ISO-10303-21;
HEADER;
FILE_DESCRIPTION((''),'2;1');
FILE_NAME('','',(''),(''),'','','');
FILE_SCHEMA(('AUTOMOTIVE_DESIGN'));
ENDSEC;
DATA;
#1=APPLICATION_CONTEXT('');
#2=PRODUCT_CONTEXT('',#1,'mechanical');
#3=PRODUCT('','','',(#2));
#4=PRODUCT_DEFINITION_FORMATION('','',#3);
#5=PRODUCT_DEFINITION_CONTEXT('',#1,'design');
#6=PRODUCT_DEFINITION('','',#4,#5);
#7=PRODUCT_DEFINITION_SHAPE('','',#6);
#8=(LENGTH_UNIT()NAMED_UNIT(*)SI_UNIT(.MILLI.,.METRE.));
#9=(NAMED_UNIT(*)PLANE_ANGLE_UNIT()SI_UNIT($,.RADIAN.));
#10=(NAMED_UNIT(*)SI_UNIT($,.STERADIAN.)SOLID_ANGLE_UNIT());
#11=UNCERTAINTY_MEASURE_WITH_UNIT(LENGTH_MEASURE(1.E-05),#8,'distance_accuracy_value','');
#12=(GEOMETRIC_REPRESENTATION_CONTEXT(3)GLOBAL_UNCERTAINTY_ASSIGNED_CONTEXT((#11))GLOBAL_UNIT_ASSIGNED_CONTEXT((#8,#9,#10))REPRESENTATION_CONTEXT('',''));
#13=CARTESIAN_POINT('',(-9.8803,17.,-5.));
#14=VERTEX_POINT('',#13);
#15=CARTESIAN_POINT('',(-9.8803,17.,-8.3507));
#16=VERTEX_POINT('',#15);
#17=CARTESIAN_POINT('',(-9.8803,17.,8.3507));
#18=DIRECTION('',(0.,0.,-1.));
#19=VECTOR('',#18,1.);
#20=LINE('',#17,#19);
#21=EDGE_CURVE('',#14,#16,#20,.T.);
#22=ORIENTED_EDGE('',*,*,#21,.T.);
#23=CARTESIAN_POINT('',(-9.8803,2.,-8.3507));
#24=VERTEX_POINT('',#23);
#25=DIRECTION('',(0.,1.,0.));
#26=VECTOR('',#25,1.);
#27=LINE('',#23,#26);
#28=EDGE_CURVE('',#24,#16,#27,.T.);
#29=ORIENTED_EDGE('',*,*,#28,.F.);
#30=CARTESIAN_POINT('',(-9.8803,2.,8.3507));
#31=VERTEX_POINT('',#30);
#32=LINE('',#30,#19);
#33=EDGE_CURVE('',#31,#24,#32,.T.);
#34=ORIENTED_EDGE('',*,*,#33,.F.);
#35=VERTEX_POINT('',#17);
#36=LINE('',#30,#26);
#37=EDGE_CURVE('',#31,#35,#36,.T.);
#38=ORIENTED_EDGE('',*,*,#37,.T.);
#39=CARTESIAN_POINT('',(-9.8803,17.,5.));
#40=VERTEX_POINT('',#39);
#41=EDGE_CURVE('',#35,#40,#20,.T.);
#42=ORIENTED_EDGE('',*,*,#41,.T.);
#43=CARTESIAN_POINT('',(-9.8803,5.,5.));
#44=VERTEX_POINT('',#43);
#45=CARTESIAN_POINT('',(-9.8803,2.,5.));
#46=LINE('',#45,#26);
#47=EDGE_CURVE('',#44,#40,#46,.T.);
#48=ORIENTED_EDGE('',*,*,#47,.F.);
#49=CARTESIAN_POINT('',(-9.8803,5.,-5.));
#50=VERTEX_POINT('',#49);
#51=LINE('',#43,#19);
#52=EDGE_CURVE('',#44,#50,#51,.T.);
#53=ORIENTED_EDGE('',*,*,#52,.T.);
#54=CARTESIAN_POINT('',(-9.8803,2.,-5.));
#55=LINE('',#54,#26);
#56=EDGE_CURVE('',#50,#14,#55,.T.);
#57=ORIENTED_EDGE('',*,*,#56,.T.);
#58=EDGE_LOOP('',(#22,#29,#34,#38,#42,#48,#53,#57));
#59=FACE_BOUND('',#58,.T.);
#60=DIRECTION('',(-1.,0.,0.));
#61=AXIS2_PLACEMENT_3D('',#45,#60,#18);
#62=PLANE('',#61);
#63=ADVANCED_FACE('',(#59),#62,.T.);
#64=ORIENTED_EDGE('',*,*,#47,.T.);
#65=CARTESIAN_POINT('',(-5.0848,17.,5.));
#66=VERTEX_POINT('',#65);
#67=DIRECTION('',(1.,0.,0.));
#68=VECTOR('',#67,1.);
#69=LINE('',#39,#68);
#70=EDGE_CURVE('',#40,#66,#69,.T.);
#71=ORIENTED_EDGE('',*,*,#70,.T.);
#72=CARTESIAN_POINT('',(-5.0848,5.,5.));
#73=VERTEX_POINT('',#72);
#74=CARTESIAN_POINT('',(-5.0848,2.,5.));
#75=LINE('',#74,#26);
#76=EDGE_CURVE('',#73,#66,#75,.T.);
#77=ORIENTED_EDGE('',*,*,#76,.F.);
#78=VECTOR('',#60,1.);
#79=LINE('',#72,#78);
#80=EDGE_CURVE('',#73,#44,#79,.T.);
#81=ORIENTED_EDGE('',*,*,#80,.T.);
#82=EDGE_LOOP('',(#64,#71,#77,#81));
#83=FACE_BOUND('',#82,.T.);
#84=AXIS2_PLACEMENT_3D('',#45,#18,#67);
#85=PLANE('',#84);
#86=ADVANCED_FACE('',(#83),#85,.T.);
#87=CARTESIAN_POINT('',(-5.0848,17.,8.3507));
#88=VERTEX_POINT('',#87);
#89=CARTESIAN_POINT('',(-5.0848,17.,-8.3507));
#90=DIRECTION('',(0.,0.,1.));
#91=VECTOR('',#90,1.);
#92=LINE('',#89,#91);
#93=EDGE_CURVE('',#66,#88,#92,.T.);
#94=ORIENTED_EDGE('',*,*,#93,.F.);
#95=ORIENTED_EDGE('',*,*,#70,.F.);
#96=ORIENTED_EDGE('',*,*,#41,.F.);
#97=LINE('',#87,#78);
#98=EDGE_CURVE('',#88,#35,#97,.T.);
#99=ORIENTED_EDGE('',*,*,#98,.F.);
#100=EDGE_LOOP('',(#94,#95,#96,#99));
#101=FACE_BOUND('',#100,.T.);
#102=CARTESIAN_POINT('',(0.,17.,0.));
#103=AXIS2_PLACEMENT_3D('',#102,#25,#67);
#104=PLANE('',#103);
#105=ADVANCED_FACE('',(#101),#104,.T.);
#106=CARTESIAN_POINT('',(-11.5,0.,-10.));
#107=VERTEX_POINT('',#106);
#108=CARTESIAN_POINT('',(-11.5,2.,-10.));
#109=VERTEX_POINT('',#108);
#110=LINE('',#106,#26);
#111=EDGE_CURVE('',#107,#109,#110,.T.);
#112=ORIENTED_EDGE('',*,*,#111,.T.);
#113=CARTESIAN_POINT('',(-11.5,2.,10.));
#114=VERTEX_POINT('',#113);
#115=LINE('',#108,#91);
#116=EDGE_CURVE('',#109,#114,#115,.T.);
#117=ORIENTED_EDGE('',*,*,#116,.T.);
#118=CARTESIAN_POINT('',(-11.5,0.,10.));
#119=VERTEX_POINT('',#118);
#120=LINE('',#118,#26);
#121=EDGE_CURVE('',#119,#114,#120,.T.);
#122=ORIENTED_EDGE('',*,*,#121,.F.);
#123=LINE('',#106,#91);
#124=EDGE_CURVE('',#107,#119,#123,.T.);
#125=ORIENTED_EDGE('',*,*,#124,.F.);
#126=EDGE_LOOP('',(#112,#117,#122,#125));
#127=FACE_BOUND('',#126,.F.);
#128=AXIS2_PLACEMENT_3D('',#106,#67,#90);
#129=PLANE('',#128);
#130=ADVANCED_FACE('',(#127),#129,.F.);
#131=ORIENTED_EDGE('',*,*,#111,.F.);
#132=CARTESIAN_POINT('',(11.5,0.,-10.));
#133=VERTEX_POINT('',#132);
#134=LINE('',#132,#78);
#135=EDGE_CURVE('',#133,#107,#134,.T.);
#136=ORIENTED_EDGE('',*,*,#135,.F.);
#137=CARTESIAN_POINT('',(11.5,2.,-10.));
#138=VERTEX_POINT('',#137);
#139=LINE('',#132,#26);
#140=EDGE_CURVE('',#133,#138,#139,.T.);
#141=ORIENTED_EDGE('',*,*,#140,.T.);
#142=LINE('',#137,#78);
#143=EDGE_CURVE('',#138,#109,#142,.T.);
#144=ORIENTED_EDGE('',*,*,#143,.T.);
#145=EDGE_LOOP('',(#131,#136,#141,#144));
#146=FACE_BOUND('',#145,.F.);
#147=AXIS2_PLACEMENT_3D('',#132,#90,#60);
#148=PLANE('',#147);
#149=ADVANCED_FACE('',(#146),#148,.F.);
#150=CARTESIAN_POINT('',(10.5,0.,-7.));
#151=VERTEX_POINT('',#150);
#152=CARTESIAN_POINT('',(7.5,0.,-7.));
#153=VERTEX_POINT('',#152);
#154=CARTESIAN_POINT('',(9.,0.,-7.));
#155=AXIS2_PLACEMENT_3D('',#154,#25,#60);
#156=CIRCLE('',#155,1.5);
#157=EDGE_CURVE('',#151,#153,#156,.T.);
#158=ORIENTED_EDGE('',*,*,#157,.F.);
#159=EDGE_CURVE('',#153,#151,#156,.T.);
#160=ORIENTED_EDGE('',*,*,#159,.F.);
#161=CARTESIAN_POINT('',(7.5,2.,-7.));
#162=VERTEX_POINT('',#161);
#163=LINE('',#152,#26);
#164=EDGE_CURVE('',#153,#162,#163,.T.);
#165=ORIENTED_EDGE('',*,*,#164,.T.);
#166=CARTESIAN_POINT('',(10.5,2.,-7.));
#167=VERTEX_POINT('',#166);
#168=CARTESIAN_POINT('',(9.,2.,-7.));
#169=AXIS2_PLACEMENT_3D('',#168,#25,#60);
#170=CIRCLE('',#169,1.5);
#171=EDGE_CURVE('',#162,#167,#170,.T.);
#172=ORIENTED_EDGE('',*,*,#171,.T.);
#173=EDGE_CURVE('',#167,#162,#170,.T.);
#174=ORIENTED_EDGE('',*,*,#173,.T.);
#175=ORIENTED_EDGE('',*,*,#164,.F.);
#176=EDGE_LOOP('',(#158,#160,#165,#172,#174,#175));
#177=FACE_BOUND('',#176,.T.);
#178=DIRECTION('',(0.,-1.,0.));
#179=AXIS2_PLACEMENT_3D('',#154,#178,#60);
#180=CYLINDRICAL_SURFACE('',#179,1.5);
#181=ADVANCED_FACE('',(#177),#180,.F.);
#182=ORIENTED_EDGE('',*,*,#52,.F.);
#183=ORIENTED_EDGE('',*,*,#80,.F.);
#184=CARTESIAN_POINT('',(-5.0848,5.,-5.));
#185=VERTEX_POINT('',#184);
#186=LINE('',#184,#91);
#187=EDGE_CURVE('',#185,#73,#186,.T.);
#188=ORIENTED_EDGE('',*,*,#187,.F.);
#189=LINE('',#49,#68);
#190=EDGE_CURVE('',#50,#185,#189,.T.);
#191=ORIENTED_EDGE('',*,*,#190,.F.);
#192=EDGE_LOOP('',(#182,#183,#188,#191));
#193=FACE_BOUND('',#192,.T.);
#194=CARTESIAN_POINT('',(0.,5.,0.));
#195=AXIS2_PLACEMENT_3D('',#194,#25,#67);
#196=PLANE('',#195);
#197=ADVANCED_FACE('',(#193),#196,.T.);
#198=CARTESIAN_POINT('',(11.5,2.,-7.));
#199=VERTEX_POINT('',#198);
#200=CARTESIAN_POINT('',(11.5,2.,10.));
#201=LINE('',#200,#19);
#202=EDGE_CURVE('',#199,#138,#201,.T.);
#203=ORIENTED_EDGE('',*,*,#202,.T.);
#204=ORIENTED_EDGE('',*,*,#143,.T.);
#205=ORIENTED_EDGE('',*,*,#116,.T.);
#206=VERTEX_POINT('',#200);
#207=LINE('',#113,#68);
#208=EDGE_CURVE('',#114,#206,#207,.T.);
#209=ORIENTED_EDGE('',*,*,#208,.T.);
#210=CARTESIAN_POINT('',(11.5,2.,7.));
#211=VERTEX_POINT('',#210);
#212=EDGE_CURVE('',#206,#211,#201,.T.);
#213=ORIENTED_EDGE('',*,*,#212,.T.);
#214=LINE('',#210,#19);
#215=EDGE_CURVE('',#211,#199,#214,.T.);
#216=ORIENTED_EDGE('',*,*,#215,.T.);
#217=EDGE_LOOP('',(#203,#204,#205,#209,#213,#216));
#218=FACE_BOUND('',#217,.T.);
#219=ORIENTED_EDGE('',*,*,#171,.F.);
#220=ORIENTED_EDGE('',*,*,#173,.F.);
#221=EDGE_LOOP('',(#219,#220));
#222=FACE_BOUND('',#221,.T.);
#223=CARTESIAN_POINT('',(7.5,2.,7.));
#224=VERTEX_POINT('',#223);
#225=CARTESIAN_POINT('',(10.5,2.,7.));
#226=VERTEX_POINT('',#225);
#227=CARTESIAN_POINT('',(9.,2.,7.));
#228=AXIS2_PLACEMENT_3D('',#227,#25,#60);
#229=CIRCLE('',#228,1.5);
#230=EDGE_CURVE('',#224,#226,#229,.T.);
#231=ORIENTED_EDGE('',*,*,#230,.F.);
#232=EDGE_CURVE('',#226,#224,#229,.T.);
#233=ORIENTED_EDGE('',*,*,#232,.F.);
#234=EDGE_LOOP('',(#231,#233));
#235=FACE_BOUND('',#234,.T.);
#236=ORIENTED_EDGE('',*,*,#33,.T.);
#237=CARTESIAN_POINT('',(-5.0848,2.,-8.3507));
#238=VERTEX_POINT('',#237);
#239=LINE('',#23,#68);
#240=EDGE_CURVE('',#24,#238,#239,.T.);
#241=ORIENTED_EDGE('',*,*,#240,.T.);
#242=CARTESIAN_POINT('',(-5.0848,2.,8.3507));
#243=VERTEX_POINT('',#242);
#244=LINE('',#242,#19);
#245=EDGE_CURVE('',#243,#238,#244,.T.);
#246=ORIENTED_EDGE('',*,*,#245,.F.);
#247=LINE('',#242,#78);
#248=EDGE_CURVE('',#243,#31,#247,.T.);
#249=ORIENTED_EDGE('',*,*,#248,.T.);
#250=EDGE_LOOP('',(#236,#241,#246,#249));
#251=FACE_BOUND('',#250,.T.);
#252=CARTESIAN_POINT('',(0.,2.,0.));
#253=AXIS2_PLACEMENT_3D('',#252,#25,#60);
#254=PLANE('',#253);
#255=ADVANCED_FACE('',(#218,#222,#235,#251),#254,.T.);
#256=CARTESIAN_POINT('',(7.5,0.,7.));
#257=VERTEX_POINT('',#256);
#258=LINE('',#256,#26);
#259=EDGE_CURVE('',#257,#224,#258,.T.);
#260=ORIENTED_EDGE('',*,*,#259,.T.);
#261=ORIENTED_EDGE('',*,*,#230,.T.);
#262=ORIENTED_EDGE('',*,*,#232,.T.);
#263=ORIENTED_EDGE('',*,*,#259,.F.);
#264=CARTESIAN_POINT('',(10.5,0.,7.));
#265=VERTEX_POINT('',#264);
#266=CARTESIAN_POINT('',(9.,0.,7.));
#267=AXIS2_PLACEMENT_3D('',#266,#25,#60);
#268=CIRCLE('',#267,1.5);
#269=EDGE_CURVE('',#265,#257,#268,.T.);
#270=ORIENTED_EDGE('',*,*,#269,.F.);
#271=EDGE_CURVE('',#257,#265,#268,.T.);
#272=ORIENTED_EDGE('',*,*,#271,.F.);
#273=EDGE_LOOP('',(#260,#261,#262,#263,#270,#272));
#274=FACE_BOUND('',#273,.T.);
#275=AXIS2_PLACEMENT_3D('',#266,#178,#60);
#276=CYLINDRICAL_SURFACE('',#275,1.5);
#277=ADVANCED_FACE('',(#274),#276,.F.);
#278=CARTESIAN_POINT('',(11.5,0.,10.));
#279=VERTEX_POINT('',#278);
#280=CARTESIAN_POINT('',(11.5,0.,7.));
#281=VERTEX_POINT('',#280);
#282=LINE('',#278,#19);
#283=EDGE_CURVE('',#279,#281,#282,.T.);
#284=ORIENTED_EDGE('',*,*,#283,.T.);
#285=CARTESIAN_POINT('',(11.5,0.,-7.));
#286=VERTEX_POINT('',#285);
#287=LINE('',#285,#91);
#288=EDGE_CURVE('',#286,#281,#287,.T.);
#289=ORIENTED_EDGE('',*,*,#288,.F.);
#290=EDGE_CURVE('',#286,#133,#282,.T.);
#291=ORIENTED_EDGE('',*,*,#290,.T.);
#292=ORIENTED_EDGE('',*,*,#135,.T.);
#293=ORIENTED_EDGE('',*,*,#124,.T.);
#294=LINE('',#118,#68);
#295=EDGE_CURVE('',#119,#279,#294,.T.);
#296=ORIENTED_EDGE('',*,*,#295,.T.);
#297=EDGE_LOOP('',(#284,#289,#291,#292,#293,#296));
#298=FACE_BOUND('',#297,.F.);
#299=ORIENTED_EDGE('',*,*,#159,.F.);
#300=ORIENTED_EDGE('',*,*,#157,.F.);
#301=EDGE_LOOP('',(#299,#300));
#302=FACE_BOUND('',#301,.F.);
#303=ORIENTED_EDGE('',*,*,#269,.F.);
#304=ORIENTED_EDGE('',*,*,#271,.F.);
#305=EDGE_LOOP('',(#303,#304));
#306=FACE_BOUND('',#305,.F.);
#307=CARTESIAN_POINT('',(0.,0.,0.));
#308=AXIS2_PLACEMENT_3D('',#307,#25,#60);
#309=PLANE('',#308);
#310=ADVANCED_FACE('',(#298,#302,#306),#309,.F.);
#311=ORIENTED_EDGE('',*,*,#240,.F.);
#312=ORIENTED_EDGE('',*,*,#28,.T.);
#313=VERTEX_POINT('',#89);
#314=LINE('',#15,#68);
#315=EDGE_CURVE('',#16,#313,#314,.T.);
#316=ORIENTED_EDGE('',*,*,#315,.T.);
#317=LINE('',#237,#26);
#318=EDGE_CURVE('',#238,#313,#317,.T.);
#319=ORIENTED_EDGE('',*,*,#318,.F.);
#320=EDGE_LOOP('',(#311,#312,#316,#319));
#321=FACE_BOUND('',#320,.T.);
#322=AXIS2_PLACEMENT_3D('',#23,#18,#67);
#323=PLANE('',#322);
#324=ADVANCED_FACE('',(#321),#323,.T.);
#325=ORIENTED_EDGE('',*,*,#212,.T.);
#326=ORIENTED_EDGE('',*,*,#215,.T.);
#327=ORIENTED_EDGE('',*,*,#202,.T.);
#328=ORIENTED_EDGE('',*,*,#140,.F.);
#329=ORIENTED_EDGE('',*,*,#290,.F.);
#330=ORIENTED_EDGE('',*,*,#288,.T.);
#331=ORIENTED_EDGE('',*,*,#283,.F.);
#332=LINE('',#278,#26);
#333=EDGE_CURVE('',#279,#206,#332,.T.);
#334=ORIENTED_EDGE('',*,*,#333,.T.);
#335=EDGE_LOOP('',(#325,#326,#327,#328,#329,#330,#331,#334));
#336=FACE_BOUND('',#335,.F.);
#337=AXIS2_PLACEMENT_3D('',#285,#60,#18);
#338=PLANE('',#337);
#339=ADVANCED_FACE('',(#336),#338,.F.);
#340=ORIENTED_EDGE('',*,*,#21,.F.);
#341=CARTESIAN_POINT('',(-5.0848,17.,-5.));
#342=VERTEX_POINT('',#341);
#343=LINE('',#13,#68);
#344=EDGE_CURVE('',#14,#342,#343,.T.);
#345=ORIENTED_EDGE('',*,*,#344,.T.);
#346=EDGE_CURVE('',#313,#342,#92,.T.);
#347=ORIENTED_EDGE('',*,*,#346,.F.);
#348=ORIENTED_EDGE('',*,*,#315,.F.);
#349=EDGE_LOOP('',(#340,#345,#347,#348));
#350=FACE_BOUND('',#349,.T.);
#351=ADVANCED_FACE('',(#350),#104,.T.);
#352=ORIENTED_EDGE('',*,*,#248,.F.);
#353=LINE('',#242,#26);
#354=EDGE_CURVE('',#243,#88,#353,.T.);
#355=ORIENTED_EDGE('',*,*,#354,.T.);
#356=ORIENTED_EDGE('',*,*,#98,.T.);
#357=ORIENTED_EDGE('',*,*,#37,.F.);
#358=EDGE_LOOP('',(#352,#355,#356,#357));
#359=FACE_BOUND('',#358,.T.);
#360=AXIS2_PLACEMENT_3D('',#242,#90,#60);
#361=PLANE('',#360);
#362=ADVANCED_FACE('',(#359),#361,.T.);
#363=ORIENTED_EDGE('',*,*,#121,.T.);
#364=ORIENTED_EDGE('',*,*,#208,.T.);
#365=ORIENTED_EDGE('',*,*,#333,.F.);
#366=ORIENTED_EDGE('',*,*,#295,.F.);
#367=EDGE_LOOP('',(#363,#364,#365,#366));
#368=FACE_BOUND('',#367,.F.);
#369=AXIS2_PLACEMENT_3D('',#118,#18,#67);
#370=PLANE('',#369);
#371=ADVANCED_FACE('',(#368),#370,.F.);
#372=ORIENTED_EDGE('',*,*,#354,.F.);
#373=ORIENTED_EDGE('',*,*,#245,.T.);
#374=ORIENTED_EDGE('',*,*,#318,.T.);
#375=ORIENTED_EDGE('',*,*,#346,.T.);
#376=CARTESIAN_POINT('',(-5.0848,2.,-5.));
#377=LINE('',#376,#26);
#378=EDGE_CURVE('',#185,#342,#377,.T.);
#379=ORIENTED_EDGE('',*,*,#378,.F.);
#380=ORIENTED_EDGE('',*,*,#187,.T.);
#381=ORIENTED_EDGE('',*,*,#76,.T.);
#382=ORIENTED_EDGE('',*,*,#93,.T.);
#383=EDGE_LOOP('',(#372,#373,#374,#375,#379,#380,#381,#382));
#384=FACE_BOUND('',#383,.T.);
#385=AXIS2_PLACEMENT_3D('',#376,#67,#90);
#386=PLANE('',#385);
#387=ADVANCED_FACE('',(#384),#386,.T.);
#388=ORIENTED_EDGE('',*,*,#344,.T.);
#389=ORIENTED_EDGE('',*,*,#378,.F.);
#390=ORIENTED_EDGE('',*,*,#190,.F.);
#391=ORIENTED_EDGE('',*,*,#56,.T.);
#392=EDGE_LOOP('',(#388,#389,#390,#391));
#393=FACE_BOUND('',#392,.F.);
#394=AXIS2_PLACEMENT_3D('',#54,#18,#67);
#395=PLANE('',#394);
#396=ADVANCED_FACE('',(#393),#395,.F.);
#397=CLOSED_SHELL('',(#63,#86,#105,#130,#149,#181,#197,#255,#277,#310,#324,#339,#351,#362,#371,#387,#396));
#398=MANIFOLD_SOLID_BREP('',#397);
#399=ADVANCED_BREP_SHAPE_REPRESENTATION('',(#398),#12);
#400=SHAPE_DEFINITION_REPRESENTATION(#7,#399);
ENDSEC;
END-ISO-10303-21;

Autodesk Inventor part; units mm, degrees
ref_plane "YZ Plane" through (0, 0, 0) normal (1, 0, 0) x (0, 1, 0)
ref_plane "XZ Plane" through (0, 0, 0) normal (0, 1, 0) x (-1, 0, 0)
ref_plane "XY Plane" through (0, 0, 0) normal (0, 0, 1) x (1, 0, 0)
sketch "Sketch1" plane through (0, 0, 0) normal (0, 1, 0) x (-1, 0, 0)
  line L0 (11.5, 10) -> (-11.5, 10)
  line L1 (-11.5, 10) -> (-11.5, -10)
  line L2 (-11.5, -10) -> (11.5, -10)
  line L3 (11.5, -10) -> (11.5, 10)
  line L4 (11.5, 10) -> (-11.5, -10) construction
  line L5 (-11.5, 10) -> (11.5, -10) construction
  line L6 (-11.5, 0) -> (-11.5, -7)
  line L7 (-11.5, 0) -> (-11.5, 7)
  line L8 (-11.5, 7) -> (-9, 7)
  circle A0 centre (-9, 7) radius 1.5
  line L9 (-11.5, -7) -> (-9, -7)
  circle A1 centre (-9, -7) radius 1.5
  point P0 (0, 0)
  dimension "d0" = 23
  dimension "d1" = 20
  dimension "d2" = 7
  dimension "d3" = 7
  dimension "d4" = 2.5
  dimension "d5" = 3
  dimension "d6" = 3
extrude "Extrusion1" add sketch "Sketch1" along normal blind 2
sketch "Sketch2" plane through (0, 2, 0) normal (0, 1, 0) x (1, 0, 0)
  line L0 (-5.0848, -8.3507) -> (-9.8803, -8.3507)
  line L1 (-9.8803, -8.3507) -> (-9.8803, 8.3507)
  line L2 (-9.8803, 8.3507) -> (-5.0848, 8.3507)
  line L3 (-5.0848, 8.3507) -> (-5.0848, -8.3507)
  line L4 (-5.0848, -8.3507) -> (-9.8803, 8.3507) construction
  line L5 (-9.8803, -8.3507) -> (-5.0848, 8.3507) construction
  line L6 (-9.8803, 0) -> (-9.8803, 5)
  line L7 (-9.8803, 0) -> (-9.8803, -5)
  line L8 (-9.8803, -5) -> (-5.0848, -5)
  line L9 (-5.0848, -5) -> (-5.0848, -8.3507)
  line L10 (-5.0848, -8.3507) -> (-9.8803, -8.3507)
  line L11 (-9.8803, -8.3507) -> (-9.8803, -5)
  line L12 (-9.8803, 5) -> (-5.0848, 5)
  line L13 (-5.0848, 5) -> (-5.0848, 8.3507)
  line L14 (-5.0848, 8.3507) -> (-9.8803, 8.3507)
  line L15 (-9.8803, 8.3507) -> (-9.8803, 5)
  point P0 (0, 0)
  point P1 (-7.4826, 0)
  dimension "d9" = 5
  dimension "d10" = 5
extrude "Extrusion2" add sketch "Sketch2" along normal blind 15 contours L0 L1 L8 L3 | L12 L1 L2 L3
sketch "Sketch3" plane through (0, 2, 0) normal (0, 1, 0) x (1, 0, 0)
  line L0 (-5.0848, -8.3507) -> (-5.0848, -5) projected
  line L1 (-9.8803, 5) -> (-5.0848, 5) projected
  line L2 (-5.0848, -5) -> (-9.8803, -5)
  line L3 (-9.8803, -5) -> (-9.8803, 5)
  line L4 (-9.8803, 5) -> (-5.0848, 5)
  line L5 (-5.0848, 5) -> (-5.0848, -5)
  point P0 (0, 0)
extrude "Extrusion3" add sketch "Sketch3" along normal blind 3
ref_plane "Work Plane1" through (-5.0848, 17, 0) normal (0, 0, -1) x (-1, 0, 0)
ref_plane "Work Plane2" through (-7.4826, 2, -8.3507) normal (-1, 0, 0) x (0, 0, 1)
properties part number "lichtschrankenmodulmodell"
